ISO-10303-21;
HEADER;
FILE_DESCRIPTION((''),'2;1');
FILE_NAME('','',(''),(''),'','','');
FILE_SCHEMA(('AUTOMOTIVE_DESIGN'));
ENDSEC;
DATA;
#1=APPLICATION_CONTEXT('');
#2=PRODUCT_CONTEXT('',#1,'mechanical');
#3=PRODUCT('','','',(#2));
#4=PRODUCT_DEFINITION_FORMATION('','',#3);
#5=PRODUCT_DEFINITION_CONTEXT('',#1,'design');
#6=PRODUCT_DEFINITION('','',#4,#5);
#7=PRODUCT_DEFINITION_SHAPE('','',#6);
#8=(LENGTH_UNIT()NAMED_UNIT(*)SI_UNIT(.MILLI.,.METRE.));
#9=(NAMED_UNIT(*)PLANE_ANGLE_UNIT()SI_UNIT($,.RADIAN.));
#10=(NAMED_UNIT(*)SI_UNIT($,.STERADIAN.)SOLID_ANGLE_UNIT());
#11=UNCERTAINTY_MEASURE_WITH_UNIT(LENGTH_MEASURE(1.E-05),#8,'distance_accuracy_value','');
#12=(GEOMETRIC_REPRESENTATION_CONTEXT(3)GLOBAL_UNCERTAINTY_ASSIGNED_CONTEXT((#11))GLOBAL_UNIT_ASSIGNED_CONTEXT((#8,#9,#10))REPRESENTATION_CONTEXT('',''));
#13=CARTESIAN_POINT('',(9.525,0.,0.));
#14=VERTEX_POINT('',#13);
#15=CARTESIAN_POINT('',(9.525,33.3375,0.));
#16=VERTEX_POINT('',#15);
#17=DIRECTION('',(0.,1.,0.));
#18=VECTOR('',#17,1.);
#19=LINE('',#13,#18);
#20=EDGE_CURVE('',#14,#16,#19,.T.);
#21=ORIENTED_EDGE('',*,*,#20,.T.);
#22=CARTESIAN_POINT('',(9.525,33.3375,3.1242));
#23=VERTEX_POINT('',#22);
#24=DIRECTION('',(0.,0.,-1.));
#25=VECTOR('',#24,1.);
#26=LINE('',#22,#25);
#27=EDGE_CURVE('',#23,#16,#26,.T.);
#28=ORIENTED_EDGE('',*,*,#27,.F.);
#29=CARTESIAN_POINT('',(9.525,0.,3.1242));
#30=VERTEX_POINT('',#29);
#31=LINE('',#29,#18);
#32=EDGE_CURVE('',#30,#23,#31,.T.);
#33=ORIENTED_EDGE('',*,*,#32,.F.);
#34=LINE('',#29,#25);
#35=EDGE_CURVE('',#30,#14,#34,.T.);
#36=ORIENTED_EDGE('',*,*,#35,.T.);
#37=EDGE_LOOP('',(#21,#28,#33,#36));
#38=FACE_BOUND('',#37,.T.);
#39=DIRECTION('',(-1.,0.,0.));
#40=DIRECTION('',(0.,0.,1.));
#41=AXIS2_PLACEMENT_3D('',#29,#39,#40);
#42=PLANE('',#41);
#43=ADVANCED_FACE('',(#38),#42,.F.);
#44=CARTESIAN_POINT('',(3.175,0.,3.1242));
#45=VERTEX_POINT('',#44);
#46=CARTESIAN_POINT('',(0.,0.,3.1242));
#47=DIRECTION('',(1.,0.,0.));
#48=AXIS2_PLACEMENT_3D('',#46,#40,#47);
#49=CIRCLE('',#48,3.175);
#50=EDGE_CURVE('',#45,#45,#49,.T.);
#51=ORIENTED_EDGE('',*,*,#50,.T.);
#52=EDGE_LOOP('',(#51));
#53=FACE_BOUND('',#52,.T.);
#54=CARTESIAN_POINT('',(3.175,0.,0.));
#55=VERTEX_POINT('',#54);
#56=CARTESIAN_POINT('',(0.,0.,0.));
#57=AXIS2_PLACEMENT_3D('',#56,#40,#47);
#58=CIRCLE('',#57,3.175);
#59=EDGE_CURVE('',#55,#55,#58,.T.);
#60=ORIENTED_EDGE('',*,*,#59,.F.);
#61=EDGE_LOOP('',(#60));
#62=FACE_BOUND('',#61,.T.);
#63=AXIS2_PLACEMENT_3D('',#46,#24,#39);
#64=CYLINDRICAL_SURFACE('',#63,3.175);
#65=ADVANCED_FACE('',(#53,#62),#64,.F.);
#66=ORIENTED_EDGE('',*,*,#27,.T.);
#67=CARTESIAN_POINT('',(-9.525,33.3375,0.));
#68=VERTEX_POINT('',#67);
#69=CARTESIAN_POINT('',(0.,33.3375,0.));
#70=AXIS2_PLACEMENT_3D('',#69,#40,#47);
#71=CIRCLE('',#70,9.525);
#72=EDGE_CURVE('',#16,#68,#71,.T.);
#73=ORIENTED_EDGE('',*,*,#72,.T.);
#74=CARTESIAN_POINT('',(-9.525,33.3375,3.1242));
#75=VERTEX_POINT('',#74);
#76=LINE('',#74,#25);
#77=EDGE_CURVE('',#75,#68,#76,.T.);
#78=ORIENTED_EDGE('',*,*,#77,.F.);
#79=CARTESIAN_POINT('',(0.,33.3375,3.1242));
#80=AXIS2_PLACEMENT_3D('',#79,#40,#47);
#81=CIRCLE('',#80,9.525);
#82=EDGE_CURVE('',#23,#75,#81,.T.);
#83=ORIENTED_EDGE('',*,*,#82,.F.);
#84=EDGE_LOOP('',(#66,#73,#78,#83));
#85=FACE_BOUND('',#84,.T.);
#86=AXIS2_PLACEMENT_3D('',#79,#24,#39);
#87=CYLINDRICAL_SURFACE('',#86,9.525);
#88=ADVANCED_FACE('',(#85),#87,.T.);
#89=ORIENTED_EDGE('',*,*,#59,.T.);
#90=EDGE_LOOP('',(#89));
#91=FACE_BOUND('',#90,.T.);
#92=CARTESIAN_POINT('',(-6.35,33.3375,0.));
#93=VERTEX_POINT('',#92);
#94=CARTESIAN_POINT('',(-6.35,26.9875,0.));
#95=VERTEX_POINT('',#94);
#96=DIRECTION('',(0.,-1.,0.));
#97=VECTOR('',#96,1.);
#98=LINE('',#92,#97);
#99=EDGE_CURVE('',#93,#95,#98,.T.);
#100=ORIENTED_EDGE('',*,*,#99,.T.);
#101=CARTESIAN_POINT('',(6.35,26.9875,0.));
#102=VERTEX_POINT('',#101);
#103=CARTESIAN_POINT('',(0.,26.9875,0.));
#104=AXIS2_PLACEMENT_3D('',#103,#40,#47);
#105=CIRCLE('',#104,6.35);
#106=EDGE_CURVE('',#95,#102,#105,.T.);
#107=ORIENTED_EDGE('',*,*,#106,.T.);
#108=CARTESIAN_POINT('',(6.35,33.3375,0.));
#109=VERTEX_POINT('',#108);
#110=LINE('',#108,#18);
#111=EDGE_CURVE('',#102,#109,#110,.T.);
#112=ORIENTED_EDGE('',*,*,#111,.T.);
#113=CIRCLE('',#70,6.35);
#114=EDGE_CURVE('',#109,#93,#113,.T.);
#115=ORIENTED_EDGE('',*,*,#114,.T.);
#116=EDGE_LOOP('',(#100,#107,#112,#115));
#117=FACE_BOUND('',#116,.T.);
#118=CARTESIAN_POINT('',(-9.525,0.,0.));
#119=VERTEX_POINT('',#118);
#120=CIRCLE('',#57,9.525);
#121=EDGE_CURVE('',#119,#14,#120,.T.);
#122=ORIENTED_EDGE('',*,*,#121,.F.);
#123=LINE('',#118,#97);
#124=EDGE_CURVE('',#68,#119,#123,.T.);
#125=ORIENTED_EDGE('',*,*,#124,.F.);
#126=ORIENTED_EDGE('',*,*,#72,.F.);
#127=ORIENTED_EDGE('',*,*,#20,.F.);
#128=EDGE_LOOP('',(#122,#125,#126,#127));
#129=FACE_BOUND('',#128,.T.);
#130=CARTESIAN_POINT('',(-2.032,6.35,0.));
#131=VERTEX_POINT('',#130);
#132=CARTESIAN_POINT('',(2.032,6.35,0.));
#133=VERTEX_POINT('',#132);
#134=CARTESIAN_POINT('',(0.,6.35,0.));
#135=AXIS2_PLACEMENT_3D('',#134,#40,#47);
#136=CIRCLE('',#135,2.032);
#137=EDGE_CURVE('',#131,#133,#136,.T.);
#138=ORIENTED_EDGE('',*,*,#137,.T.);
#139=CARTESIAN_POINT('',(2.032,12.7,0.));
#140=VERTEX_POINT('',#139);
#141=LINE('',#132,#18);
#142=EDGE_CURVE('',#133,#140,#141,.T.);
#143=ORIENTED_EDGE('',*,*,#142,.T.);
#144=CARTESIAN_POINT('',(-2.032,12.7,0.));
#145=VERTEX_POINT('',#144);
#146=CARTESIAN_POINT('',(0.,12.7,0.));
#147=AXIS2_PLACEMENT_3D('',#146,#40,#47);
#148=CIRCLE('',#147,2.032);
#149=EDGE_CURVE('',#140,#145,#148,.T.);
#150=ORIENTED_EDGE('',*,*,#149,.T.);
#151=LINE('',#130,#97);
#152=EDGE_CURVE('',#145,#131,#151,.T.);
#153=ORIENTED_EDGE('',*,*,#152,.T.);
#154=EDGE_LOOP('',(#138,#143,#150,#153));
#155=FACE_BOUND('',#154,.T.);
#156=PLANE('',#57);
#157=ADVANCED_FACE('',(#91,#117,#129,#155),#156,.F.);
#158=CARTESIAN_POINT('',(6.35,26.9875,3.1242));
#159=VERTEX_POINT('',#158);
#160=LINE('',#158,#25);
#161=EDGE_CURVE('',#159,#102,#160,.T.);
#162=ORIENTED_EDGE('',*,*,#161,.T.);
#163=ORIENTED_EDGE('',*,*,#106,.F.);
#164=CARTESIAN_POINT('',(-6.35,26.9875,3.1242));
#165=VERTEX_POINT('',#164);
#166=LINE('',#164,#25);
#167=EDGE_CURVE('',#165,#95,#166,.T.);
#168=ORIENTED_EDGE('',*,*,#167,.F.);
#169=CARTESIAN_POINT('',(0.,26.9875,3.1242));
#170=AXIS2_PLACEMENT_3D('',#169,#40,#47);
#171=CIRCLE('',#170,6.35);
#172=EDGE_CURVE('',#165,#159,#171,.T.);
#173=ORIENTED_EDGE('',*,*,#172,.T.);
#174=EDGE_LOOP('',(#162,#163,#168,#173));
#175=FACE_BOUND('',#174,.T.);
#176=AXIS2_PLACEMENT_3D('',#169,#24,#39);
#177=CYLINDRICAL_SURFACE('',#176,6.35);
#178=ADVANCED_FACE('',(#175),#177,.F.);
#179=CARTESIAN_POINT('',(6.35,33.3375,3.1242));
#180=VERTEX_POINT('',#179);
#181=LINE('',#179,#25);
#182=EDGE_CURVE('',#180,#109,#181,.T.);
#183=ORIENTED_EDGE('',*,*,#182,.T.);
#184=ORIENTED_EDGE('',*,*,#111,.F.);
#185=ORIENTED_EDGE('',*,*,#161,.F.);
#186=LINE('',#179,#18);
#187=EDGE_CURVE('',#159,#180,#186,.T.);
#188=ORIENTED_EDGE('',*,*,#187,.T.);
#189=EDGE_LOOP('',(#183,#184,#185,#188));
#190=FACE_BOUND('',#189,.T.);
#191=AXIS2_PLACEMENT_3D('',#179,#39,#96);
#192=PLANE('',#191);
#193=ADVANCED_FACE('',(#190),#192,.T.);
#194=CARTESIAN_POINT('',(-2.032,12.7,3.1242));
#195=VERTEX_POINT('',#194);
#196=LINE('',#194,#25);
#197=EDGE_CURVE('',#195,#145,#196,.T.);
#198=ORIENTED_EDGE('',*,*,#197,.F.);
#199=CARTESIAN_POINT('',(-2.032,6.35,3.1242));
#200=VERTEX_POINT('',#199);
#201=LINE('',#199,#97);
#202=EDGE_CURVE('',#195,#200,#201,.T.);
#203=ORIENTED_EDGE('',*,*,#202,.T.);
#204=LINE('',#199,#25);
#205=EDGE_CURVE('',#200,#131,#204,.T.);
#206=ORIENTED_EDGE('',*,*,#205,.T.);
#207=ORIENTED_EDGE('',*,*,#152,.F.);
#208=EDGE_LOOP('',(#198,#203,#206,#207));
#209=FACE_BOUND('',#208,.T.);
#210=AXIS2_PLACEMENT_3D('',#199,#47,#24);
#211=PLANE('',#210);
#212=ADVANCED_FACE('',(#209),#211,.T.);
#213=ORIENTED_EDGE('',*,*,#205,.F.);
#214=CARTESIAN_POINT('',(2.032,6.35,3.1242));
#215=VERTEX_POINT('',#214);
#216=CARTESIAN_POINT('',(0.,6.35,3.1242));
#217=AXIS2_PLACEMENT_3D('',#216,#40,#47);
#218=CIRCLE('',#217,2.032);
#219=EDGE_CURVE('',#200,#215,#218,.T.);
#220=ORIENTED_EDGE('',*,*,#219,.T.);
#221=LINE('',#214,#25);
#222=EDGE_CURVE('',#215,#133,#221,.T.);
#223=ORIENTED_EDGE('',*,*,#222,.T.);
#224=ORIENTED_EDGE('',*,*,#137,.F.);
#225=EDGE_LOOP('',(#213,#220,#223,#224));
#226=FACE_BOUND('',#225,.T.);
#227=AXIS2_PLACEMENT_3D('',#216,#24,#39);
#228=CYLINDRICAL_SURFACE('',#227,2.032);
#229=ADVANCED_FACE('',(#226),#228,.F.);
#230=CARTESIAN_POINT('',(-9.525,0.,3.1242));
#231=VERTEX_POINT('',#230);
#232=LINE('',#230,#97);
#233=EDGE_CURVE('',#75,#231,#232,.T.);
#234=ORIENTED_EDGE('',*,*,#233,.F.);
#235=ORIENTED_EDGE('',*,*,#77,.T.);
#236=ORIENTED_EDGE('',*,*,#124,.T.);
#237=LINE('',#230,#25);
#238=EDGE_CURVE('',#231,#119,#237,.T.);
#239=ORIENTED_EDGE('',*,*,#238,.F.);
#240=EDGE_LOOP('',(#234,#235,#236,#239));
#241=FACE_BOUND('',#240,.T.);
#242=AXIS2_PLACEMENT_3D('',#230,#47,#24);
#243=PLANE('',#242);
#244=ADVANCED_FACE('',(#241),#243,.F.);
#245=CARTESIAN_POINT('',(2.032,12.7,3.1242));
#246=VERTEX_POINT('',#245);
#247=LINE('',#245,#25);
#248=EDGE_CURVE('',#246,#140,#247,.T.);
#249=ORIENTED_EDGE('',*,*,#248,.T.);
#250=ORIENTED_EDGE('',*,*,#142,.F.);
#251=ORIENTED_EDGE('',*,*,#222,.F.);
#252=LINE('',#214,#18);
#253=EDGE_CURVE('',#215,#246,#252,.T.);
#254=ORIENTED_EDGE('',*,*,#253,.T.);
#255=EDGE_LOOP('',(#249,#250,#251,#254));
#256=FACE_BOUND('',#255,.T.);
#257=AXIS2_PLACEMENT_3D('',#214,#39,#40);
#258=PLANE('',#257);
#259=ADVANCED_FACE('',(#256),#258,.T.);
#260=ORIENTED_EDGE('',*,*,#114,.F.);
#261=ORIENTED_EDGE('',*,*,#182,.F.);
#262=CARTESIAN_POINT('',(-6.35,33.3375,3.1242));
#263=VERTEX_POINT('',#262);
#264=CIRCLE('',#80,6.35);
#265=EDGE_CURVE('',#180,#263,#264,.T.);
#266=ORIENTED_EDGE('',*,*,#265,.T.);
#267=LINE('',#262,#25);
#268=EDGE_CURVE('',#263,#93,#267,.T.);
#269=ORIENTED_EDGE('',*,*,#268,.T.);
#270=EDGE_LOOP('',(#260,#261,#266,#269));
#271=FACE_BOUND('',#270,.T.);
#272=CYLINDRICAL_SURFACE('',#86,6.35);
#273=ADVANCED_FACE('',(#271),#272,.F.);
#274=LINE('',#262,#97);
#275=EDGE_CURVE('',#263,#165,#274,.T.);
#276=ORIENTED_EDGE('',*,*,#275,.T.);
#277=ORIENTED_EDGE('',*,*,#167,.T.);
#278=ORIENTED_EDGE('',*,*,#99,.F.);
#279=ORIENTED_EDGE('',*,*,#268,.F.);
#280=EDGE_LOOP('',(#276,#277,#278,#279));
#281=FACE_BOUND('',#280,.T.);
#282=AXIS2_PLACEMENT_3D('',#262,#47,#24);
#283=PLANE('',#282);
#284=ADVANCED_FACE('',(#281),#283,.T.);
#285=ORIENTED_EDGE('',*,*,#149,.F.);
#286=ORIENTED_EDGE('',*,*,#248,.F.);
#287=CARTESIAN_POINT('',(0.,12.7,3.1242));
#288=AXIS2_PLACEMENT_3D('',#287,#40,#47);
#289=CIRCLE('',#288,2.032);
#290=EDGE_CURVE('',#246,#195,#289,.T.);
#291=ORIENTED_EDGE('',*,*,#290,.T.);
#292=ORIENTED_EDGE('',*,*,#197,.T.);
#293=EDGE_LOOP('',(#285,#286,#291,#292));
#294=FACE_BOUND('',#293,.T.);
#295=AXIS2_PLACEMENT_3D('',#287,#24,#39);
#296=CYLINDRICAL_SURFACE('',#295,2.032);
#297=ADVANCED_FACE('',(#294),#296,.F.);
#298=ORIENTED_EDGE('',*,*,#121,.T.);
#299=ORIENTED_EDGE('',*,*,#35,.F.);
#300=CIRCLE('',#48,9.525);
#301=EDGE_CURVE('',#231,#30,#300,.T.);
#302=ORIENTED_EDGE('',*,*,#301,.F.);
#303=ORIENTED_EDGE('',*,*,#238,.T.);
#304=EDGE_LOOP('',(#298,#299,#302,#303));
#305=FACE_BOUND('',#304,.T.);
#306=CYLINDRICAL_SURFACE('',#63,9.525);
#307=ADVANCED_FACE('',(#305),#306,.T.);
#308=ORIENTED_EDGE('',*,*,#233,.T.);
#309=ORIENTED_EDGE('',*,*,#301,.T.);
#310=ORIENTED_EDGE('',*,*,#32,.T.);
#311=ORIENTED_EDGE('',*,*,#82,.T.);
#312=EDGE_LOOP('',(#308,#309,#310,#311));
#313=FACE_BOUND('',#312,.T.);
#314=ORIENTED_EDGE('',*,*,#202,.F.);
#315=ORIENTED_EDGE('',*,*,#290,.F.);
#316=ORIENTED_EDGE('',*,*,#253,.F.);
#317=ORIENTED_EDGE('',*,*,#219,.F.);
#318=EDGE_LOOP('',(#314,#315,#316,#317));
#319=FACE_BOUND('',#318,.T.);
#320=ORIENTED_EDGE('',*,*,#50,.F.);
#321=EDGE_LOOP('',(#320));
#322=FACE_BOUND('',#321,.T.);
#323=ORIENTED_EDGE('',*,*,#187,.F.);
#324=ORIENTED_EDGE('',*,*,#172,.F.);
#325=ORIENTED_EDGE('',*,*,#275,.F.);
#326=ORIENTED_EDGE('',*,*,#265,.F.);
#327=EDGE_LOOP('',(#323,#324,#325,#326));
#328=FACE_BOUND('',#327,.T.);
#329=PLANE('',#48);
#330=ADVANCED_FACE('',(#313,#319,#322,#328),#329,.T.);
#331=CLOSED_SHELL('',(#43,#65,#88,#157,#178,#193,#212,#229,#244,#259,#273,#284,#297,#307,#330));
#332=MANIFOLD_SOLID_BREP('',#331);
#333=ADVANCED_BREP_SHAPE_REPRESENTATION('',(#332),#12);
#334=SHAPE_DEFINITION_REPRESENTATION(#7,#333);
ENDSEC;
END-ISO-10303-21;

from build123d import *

# Parameters (mm, degrees)
CROQUIS1_R              = 3.175
SALIENTE_EXTRUIR1_DEPTH = 3.1242


with BuildPart() as part:
    # Croquis1 → Saliente-Extruir1 (new body)
    with BuildSketch(Plane.XY):
        with BuildLine():
            Line((-9.525, 0), (-9.525, 33.3375))
            ThreePointArc((-9.525, 33.3375), (0, 42.8625), (9.525, 33.3375))
            Line((9.525, 33.3375), (9.525, 0))
            ThreePointArc((9.525, 0), (0, -9.525), (-9.525, 0))
        make_face()
        Circle(CROQUIS1_R, mode=Mode.SUBTRACT)
        with BuildLine():
            Line((-2.032, 6.35), (-2.032, 12.7))
            ThreePointArc((-2.032, 12.7), (0, 14.732), (2.032, 12.7))
            Line((2.032, 12.7), (2.032, 6.35))
            ThreePointArc((2.032, 6.35), (0, 4.318), (-2.032, 6.35))
        make_face(mode=Mode.SUBTRACT)
        with BuildLine():
            Line((6.35, 33.3375), (6.35, 26.9875))
            ThreePointArc((6.35, 26.9875), (0, 20.6375), (-6.35, 26.9875))
            Line((-6.35, 26.9875), (-6.35, 33.3375))
            ThreePointArc((-6.35, 33.3375), (0, 39.6875), (6.35, 33.3375))
        make_face(mode=Mode.SUBTRACT)
    extrude(amount=SALIENTE_EXTRUIR1_DEPTH)


solid = part.part
